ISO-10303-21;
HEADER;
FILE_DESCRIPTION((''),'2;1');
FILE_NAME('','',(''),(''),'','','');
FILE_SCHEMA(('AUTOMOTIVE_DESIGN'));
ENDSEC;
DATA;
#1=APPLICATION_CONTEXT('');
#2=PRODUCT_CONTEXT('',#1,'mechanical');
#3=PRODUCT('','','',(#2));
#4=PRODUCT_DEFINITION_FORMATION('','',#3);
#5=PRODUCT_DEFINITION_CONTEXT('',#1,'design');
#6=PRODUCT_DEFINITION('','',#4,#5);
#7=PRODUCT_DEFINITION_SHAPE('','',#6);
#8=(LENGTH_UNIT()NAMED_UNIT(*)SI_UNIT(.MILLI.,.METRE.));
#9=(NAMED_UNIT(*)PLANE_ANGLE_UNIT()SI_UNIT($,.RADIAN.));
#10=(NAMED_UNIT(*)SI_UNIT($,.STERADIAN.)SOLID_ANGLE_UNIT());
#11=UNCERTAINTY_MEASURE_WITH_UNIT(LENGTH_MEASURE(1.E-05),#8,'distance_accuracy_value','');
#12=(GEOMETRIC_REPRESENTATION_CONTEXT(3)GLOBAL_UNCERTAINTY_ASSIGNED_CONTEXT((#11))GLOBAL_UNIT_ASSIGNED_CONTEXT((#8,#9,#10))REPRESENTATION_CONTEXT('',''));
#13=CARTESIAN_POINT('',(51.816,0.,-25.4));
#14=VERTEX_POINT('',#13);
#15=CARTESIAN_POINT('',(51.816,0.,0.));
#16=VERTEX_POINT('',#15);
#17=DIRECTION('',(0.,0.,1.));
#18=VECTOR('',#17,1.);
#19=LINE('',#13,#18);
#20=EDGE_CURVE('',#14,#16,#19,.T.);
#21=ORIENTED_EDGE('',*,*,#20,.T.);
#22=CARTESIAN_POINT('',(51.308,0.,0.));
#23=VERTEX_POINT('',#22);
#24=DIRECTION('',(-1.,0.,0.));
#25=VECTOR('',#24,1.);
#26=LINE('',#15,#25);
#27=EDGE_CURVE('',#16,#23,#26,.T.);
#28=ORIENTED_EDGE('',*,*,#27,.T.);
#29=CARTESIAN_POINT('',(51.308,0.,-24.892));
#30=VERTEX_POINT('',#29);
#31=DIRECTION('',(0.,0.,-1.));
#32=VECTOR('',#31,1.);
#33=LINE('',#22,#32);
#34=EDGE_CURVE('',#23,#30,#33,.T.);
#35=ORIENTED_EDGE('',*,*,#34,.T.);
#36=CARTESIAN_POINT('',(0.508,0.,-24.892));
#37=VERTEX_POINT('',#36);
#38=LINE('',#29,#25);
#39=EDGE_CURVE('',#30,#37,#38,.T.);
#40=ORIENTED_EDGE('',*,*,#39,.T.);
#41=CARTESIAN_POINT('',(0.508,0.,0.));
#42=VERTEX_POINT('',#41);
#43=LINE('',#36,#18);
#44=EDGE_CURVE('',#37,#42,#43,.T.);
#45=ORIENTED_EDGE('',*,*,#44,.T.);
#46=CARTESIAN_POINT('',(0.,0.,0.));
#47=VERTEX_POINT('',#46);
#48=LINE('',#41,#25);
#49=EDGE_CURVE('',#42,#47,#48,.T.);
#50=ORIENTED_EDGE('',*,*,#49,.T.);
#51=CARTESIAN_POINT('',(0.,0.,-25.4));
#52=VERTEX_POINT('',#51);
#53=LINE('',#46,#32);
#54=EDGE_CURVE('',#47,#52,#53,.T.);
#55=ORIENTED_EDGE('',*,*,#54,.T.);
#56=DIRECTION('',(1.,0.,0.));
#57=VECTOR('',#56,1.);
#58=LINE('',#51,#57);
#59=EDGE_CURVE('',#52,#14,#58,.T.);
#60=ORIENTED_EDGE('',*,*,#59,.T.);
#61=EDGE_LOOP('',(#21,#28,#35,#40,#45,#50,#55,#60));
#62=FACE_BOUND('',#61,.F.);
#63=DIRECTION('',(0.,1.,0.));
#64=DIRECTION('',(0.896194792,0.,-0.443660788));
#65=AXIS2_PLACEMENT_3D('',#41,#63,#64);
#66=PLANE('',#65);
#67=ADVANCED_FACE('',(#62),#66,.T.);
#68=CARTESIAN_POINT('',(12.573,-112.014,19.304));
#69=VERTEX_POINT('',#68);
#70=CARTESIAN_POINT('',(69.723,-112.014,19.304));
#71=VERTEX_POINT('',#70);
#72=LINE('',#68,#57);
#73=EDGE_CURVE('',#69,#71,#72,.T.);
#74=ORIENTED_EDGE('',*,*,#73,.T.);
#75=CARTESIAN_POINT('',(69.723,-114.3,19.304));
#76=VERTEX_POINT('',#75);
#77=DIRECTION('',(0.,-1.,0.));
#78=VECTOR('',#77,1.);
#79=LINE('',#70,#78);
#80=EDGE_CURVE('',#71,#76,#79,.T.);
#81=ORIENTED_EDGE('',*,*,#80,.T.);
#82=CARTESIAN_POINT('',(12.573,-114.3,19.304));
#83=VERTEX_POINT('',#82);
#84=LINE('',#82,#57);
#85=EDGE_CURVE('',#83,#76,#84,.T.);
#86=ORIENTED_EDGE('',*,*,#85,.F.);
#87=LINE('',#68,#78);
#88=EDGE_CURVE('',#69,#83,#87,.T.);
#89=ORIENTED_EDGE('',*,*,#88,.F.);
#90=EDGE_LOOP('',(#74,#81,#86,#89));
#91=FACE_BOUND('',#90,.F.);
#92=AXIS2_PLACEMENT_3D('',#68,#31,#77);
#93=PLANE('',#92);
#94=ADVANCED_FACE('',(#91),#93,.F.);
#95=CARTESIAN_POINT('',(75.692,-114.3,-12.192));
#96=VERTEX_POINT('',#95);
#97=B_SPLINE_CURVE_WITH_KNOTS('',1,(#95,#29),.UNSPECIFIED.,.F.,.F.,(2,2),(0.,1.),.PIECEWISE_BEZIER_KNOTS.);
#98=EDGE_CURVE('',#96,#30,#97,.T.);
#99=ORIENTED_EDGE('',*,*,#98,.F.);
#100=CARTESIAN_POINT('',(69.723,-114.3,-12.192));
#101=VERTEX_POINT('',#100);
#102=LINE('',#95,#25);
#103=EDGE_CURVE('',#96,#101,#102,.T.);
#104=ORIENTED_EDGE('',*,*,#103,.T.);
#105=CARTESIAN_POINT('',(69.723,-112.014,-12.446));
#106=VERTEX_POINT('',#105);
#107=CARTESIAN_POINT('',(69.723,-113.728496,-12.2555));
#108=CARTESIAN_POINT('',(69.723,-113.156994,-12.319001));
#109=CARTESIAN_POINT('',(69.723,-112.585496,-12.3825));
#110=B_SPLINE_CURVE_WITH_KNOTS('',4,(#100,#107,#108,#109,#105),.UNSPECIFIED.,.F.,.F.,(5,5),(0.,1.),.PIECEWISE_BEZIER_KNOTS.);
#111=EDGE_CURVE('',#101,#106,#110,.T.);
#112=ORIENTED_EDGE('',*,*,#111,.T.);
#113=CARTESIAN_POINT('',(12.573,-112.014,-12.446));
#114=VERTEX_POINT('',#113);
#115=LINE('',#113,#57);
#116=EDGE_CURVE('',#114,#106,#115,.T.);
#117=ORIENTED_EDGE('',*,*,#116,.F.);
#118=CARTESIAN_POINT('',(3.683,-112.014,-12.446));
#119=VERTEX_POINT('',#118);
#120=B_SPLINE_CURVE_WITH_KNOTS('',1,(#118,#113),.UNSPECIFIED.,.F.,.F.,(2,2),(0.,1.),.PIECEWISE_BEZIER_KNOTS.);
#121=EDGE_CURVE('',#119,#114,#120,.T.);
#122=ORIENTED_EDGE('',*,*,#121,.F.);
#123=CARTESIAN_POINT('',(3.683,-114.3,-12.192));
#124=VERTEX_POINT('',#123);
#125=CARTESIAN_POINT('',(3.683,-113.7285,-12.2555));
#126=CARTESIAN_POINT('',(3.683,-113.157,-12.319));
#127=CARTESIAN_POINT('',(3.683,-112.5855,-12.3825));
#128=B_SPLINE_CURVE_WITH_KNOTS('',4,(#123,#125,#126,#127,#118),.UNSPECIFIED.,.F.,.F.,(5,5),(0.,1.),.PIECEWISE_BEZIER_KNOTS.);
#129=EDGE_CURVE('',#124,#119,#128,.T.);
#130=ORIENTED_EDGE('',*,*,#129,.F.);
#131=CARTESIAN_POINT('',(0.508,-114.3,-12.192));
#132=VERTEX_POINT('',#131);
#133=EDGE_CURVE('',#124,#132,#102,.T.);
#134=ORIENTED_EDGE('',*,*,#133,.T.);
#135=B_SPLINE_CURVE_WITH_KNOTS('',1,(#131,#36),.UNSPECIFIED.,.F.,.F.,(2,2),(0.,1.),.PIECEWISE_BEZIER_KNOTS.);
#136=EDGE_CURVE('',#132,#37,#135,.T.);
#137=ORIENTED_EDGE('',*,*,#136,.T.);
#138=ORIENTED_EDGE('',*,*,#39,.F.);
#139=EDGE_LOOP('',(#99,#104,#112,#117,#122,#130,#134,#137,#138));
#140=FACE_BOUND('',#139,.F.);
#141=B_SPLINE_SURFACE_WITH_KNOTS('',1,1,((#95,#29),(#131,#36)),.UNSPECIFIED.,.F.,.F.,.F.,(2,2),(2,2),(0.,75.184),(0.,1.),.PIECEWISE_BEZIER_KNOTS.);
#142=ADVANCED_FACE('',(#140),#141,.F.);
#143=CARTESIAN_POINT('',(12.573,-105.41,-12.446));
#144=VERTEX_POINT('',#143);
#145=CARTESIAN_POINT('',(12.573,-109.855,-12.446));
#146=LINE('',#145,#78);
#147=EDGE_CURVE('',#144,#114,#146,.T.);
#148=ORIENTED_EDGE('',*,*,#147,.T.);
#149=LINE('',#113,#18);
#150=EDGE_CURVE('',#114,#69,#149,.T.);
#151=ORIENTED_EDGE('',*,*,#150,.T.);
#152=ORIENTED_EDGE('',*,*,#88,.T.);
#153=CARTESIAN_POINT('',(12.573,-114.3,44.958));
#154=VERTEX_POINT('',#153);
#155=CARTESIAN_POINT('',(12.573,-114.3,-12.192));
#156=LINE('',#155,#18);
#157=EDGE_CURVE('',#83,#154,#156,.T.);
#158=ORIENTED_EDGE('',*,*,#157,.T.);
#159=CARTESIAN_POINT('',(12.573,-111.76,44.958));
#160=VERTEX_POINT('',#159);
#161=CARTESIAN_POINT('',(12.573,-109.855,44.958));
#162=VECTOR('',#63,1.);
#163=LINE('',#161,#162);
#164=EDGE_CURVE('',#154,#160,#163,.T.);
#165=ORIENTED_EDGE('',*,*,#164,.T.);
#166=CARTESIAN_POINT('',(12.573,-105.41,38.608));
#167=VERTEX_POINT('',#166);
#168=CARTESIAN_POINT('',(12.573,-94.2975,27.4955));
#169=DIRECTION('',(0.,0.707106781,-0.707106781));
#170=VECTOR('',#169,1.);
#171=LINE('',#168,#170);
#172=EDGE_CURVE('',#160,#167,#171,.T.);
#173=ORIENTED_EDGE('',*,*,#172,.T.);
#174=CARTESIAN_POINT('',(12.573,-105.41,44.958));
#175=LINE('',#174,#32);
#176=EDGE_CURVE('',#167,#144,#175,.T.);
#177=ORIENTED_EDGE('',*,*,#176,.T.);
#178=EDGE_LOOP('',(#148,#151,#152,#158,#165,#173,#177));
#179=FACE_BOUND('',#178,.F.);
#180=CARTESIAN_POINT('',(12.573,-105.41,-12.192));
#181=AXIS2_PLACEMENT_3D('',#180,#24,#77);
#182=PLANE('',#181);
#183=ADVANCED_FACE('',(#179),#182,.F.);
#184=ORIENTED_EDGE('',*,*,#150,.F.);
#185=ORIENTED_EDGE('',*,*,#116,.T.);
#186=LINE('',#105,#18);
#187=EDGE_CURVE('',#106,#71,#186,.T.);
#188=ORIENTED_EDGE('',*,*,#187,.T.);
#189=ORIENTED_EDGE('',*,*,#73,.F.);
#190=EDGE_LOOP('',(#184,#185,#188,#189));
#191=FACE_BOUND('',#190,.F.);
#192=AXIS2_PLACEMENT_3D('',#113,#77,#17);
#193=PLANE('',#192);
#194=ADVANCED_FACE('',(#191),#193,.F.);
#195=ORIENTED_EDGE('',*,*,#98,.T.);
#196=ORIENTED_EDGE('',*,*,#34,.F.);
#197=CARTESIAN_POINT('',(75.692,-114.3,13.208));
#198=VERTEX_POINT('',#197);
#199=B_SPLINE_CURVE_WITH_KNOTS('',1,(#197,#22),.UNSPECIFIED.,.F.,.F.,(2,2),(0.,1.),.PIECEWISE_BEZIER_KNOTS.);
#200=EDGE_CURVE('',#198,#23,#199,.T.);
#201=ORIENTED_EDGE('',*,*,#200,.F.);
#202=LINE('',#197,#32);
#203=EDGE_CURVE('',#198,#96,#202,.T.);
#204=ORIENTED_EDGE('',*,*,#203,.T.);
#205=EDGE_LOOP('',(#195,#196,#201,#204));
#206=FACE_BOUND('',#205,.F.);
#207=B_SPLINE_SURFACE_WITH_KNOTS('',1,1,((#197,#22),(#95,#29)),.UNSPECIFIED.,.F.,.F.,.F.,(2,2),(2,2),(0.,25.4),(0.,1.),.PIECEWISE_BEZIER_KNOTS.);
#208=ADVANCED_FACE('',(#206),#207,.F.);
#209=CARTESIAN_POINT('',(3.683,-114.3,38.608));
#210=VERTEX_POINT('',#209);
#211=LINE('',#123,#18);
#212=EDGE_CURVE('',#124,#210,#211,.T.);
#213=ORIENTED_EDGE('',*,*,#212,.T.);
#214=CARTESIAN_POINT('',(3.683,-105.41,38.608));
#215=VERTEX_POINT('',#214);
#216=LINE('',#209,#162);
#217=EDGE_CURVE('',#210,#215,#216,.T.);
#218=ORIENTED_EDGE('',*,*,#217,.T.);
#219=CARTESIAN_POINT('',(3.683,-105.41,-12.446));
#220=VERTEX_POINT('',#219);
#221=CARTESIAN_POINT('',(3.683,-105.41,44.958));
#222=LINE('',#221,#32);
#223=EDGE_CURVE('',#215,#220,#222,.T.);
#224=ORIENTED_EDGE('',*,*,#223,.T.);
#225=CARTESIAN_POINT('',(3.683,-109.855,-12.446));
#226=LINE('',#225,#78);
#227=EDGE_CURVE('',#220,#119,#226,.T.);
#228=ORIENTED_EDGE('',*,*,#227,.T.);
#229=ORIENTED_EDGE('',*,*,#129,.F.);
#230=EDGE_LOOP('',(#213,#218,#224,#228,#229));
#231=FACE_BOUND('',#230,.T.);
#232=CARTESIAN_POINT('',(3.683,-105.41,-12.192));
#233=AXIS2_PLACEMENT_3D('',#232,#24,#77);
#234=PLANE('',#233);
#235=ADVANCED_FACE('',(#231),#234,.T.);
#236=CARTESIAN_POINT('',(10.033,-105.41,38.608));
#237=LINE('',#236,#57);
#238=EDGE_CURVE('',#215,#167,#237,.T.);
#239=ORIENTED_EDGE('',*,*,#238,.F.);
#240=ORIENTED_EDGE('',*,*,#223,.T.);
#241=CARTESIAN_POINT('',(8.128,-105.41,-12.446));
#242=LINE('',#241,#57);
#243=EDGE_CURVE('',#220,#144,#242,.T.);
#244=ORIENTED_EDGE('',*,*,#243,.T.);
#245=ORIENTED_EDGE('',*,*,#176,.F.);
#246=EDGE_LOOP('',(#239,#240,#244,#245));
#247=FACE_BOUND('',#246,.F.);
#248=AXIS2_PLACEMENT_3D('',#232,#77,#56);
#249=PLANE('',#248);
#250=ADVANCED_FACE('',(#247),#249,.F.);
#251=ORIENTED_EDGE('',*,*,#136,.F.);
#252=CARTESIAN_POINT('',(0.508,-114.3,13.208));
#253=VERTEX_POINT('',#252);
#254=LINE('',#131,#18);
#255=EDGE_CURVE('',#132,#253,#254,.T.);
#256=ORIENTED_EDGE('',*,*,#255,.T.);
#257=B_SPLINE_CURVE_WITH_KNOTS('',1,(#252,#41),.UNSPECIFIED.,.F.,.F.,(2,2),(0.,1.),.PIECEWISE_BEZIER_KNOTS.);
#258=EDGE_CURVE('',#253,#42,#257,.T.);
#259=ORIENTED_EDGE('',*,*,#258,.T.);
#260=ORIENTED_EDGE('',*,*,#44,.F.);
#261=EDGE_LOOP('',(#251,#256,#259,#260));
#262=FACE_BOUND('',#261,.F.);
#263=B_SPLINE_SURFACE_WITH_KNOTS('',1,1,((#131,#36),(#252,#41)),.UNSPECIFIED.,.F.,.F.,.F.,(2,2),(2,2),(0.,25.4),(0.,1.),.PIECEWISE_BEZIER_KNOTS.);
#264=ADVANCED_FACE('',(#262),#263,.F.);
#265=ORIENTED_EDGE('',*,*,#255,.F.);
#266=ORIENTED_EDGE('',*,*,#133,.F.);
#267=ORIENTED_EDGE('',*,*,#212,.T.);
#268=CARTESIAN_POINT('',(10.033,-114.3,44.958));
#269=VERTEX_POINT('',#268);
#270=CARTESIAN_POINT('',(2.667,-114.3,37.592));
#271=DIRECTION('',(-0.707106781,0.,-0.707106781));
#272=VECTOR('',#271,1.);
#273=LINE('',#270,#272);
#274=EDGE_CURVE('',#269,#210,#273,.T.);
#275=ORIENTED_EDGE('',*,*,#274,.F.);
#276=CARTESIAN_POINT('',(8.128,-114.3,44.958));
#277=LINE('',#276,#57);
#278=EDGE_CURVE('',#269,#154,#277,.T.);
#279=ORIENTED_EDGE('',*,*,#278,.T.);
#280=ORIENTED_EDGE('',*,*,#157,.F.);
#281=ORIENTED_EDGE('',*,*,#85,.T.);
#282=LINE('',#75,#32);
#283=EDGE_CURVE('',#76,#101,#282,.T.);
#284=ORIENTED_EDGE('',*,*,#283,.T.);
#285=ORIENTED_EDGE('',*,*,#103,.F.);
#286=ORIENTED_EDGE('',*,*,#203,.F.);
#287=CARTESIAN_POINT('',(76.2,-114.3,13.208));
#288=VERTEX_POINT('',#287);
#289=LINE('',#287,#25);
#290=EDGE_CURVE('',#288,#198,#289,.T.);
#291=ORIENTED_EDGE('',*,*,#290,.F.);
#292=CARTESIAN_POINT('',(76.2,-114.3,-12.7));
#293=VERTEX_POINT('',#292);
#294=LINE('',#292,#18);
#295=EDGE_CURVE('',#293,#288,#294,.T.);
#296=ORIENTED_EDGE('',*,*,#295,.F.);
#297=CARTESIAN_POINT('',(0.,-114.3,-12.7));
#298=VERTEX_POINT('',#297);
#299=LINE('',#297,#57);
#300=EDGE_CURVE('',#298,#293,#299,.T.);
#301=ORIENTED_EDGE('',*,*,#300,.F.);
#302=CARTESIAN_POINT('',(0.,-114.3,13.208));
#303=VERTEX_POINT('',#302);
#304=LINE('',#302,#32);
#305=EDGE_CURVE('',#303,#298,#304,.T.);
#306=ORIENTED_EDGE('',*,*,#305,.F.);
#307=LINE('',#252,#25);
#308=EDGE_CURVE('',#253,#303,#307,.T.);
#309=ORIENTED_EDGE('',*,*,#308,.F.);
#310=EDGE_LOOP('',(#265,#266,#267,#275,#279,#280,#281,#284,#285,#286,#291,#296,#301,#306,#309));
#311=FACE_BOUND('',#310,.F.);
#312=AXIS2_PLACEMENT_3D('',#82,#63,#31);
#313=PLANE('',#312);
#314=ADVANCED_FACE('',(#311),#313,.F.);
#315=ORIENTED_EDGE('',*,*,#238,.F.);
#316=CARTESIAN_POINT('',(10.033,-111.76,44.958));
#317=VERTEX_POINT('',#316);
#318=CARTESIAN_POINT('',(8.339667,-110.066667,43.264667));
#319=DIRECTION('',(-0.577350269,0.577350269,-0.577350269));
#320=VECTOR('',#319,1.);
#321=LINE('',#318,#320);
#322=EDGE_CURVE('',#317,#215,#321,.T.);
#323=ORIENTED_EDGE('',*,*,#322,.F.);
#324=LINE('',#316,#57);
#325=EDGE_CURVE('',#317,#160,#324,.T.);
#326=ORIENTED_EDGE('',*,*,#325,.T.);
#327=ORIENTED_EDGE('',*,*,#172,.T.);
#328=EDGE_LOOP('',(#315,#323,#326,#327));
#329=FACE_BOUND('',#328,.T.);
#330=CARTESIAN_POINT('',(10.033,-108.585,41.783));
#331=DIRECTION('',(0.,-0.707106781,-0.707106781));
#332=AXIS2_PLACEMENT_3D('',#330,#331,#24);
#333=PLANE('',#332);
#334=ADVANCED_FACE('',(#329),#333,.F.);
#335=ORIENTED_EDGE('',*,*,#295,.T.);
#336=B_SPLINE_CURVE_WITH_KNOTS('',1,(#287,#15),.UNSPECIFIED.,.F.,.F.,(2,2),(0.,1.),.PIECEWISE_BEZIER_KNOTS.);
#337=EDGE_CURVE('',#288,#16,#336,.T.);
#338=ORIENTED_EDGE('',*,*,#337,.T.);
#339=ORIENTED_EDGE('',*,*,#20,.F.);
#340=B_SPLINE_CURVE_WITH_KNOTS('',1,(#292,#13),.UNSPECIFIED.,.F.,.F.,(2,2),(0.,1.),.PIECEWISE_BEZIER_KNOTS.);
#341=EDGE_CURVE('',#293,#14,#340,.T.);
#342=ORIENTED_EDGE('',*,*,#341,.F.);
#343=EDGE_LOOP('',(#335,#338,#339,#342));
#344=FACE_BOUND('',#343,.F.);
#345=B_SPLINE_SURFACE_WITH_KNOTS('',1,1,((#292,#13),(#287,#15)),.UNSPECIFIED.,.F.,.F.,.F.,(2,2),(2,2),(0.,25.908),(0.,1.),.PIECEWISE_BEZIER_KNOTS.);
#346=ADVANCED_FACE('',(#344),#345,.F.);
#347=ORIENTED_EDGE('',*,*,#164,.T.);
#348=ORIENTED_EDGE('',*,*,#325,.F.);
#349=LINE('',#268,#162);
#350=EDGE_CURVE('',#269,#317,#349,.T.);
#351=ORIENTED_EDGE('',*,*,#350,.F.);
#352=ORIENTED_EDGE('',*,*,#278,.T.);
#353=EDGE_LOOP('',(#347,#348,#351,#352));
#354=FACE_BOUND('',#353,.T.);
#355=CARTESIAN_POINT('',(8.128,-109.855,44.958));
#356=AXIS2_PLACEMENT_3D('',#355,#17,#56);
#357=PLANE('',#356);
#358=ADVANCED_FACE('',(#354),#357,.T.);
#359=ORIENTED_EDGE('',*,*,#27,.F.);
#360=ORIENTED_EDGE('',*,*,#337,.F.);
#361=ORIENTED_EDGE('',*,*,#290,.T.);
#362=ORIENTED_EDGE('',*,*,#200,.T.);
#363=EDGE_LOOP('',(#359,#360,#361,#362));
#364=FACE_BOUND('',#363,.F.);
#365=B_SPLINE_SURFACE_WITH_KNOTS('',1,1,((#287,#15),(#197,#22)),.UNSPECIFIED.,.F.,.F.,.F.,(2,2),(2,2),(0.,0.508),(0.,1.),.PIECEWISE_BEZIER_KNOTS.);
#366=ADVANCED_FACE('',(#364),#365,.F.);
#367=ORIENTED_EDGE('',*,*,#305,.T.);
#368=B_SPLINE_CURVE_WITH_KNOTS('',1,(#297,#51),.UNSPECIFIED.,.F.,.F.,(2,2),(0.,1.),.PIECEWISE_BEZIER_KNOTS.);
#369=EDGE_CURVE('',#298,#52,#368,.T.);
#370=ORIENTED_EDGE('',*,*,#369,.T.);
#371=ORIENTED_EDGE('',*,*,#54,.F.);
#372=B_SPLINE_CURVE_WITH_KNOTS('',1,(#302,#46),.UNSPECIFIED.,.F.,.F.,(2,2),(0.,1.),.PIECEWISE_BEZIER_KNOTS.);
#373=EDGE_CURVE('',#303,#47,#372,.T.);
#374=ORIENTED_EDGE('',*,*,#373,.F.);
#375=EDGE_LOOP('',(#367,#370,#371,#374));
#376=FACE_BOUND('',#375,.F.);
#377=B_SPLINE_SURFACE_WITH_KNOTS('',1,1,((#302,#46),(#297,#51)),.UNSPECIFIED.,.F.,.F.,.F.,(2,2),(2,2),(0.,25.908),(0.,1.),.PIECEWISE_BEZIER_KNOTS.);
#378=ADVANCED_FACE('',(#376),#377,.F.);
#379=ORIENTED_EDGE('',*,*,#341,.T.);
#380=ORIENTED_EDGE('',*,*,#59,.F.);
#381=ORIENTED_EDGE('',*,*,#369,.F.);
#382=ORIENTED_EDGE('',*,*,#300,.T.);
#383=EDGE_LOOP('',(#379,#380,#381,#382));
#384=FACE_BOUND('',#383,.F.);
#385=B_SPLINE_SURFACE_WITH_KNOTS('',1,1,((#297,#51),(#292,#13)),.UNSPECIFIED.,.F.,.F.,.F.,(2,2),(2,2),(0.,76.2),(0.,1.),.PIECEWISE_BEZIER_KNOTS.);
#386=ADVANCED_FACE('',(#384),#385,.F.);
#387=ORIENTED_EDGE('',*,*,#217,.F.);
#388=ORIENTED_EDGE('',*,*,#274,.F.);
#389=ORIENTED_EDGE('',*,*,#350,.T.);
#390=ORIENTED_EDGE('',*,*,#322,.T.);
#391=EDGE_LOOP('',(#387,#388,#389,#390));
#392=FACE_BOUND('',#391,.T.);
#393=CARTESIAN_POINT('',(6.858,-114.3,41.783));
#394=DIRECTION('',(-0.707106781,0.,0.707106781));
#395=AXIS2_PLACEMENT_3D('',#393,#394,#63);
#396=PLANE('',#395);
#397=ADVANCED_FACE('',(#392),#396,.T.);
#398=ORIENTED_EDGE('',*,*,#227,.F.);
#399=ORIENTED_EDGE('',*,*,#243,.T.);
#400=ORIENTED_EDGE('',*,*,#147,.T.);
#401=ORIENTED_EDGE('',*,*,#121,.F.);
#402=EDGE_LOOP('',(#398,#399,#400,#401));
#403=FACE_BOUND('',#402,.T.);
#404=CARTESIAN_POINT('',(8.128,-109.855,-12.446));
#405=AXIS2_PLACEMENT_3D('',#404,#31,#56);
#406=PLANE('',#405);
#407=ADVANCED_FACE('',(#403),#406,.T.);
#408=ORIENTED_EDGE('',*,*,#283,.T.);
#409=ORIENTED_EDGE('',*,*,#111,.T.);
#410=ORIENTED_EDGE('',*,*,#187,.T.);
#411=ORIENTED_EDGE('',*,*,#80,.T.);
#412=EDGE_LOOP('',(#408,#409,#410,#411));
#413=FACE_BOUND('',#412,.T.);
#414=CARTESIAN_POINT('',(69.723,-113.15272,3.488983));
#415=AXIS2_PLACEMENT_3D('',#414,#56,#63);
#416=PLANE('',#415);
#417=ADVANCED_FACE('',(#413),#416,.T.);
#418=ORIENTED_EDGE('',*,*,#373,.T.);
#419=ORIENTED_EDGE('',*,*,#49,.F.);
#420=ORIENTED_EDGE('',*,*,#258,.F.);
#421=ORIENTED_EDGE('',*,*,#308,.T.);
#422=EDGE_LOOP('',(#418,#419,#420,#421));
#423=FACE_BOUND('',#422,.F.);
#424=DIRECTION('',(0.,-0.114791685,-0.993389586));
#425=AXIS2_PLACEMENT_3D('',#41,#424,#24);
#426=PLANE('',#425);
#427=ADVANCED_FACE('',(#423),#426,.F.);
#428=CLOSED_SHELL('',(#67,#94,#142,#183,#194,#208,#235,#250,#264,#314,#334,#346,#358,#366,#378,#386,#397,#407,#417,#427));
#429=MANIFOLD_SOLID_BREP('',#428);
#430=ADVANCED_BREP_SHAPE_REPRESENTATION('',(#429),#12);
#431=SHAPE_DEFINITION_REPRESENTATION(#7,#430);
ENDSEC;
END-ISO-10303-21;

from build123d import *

# Parameters (mm, degrees)
F5_W      = 8.89
F5_H      = 8.89
F6_DEPTH  = 57.15
F6_FACE_W = 8.89
F6_FACE_H = 8.89
F7_DEPTH  = 0.254
F9_DEPTH  = 57.15
F10_SIZE  = 6.35
F11_SIZE  = 6.35


with BuildPart() as f3:
    # F2 (on offset) → F3 section 0
    with BuildSketch(Plane.XZ.offset(114.3)):
        Polygon((0.508, 13.208), (0, 13.208), (0, -12.192), (0, -12.7), (76.2, -12.7), (76.2, -12.192), (76.2, 13.208), (75.692, 13.208), (75.692, -12.192), (0.508, -12.192), align=None)
    # F0 (on Front) → F3 section 1
    with BuildSketch(Plane.XZ):
        Polygon((0.508, 0), (0, 0), (0, -24.892), (0, -25.4), (51.816, -25.4), (51.816, -24.892), (51.816, 0), (51.308, 0), (51.308, -24.892), (0.508, -24.892), align=None)
    loft()

    # F5 (on face) → F6 (join)
    with BuildSketch(Plane.XY.offset(-12.192)):
        with Locations((8.128, -109.855)):
            Rectangle(F5_W, F5_H)
    extrude(amount=F6_DEPTH)

    # F6_face (on face) → F7 (join)
    with BuildSketch(Plane(origin=(8.128, -109.855, -12.192), x_dir=(1, 0, 0), z_dir=(0, 0, -1))):
        Rectangle(F6_FACE_W, F6_FACE_H)
    extrude(amount=F7_DEPTH)

    # F8 (on face) → F9 (join)
    with BuildSketch(Plane.YZ.offset(12.573)):
        with BuildLine():
            Line((-112.014, 19.304), (-114.3, 19.304))
            Line((-114.3, 19.304), (-114.3, -12.192))
            add(Edge.make_bspline(
                [(-114.3, -12.192), (-113.728496, -12.2555), (-113.156994, -12.319001), (-112.585496, -12.3825), (-112.014, -12.446)],
                knots=[0, 0, 0, 0, 0, 1, 1, 1, 1, 1], degree=4))
            Line((-112.014, -12.446), (-112.014, 19.304))
        make_face()
    extrude(amount=F9_DEPTH)

    # F10
    f10_edges = [f3.edges().sort_by_distance(p)[0] for p in [
        (3.683, -109.855, 44.958),
    ]]
    chamfer(f10_edges, length=F10_SIZE)

    # F11
    f11_edges = [f3.edges().sort_by_distance(p)[0] for p in [
        (11.303, -105.41, 44.958),
    ]]
    chamfer(f11_edges, length=F11_SIZE)


solid = f3.part
